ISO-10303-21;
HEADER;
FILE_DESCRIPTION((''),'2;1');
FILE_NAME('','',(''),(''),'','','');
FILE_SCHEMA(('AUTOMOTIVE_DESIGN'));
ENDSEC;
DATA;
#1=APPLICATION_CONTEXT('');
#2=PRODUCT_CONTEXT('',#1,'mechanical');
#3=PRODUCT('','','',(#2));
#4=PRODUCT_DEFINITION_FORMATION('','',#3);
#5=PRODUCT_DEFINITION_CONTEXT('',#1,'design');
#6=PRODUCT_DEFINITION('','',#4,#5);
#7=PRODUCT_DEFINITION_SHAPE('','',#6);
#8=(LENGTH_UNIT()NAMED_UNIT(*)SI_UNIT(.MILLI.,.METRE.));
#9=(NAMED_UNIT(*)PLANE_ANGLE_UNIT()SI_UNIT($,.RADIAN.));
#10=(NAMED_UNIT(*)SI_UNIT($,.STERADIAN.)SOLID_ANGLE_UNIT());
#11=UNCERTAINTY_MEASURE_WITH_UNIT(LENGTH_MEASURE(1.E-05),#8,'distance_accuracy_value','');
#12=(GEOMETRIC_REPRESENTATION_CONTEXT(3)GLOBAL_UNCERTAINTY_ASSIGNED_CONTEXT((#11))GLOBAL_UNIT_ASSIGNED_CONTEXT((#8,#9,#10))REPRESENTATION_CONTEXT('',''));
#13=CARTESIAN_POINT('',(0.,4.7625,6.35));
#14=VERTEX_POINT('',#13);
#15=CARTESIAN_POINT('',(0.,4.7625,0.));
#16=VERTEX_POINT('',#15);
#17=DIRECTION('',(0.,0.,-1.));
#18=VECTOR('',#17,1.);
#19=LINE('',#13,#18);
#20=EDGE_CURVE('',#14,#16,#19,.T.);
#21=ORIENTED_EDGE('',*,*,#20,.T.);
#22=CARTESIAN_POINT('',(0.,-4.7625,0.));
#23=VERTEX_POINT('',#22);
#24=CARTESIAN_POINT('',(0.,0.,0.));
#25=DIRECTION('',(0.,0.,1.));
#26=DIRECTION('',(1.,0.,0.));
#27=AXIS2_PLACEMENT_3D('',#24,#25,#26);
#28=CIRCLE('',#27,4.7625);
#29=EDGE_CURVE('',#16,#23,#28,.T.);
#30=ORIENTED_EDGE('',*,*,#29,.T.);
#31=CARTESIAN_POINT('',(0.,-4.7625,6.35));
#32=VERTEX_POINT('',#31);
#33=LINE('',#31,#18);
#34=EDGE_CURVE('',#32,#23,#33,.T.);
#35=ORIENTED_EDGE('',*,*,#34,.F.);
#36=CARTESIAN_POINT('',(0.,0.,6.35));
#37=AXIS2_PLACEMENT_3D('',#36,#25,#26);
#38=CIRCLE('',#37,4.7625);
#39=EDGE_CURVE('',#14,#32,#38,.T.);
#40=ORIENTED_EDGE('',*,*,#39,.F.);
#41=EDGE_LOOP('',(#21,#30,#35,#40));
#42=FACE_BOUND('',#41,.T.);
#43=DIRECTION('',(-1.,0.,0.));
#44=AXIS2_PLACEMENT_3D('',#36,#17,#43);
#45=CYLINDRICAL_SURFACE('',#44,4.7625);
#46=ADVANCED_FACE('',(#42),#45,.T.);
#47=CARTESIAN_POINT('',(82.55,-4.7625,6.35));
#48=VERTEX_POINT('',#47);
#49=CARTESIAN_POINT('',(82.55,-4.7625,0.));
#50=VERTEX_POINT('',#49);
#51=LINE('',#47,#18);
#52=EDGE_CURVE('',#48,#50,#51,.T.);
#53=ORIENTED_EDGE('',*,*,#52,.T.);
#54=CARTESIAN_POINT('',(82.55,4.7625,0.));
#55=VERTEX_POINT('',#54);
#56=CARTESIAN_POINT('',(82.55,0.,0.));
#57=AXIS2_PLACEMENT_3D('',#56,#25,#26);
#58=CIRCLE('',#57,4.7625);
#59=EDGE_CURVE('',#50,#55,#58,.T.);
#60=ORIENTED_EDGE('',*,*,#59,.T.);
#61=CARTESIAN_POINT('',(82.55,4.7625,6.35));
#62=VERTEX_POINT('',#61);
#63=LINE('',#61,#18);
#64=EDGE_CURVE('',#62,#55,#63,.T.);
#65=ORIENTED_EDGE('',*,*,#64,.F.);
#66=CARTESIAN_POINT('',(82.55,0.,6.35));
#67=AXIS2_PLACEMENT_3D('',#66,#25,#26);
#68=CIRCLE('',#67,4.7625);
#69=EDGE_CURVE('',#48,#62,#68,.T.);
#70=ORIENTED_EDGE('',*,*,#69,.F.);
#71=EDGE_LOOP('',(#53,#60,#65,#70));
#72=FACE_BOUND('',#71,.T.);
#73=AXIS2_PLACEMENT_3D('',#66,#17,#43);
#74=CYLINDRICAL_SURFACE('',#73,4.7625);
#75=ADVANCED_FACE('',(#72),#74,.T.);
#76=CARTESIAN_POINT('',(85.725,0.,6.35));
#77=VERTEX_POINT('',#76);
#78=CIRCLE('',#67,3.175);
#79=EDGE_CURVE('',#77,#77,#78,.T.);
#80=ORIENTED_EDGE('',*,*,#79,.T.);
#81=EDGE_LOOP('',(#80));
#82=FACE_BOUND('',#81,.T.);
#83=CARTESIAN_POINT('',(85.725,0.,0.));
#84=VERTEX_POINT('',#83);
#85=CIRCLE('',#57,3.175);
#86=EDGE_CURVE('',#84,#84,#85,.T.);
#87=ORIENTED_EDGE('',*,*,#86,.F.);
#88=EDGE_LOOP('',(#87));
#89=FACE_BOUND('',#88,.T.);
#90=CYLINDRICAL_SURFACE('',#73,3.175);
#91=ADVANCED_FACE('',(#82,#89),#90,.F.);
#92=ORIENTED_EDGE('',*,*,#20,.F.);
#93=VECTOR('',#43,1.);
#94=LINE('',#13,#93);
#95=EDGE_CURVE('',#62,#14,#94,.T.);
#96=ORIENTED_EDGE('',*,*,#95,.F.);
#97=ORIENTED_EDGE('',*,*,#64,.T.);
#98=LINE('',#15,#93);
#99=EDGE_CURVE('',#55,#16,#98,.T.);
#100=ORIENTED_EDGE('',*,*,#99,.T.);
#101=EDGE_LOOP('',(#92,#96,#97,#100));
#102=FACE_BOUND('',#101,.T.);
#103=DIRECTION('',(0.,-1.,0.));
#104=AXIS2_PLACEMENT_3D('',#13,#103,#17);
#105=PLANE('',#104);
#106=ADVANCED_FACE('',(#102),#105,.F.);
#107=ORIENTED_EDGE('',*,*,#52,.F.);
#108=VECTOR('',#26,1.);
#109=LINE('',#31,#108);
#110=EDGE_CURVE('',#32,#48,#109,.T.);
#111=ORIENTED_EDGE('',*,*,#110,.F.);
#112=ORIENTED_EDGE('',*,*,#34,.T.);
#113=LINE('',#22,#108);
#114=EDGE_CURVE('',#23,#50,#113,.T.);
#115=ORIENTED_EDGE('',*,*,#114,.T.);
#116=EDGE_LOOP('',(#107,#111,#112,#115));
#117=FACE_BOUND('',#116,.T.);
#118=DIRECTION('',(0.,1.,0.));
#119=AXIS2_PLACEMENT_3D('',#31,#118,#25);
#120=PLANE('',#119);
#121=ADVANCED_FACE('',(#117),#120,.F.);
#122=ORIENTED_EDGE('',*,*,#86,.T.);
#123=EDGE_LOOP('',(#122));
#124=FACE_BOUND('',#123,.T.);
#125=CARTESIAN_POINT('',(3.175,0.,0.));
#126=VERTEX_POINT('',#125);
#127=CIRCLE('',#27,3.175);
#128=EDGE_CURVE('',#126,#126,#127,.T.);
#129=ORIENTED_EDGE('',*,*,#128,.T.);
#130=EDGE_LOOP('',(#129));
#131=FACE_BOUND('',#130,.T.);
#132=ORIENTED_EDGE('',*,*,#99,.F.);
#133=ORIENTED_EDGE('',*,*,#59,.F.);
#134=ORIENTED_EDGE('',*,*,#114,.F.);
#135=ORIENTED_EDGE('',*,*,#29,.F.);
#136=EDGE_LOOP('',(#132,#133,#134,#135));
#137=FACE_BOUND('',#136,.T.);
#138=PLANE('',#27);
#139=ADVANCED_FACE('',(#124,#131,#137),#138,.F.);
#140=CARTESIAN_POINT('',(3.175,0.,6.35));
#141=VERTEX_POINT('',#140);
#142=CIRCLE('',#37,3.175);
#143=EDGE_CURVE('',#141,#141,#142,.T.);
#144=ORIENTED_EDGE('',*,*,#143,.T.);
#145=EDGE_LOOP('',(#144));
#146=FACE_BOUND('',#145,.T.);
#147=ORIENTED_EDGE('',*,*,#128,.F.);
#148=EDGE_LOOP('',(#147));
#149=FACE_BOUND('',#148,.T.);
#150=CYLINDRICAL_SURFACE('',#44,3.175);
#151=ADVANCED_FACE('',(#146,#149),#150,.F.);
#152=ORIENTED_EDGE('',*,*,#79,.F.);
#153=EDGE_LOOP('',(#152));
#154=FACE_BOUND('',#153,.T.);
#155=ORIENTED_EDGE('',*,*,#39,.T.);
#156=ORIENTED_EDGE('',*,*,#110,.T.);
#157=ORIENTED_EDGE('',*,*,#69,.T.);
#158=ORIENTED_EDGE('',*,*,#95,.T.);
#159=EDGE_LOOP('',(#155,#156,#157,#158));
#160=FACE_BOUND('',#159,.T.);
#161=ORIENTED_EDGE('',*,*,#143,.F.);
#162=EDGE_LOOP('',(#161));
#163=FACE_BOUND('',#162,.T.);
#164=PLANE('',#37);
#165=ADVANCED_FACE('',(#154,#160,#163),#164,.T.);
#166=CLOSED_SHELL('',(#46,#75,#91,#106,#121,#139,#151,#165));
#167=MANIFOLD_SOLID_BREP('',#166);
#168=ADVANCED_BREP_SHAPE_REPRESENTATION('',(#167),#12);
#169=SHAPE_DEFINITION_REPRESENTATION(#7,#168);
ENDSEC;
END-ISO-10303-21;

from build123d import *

# Parameters (mm, degrees)
SKETCH2_R           = 3.175
BOSS_EXTRUDE1_DEPTH = 6.35


with BuildPart() as part:
    # Sketch2 → Boss-Extrude1 (new body)
    with BuildSketch(Plane.XY):
        with BuildLine():
            Line((0, 4.7625), (82.55, 4.7625))
            ThreePointArc((82.55, 4.7625), (87.3125, 0), (82.55, -4.7625))
            Line((82.55, -4.7625), (0, -4.7625))
            ThreePointArc((0, -4.7625), (-4.7625, 0), (0, 4.7625))
        make_face()
        with Locations((82.55, 0)):
            Circle(SKETCH2_R, mode=Mode.SUBTRACT)
        Circle(SKETCH2_R, mode=Mode.SUBTRACT)
    extrude(amount=BOSS_EXTRUDE1_DEPTH)


solid = part.part
